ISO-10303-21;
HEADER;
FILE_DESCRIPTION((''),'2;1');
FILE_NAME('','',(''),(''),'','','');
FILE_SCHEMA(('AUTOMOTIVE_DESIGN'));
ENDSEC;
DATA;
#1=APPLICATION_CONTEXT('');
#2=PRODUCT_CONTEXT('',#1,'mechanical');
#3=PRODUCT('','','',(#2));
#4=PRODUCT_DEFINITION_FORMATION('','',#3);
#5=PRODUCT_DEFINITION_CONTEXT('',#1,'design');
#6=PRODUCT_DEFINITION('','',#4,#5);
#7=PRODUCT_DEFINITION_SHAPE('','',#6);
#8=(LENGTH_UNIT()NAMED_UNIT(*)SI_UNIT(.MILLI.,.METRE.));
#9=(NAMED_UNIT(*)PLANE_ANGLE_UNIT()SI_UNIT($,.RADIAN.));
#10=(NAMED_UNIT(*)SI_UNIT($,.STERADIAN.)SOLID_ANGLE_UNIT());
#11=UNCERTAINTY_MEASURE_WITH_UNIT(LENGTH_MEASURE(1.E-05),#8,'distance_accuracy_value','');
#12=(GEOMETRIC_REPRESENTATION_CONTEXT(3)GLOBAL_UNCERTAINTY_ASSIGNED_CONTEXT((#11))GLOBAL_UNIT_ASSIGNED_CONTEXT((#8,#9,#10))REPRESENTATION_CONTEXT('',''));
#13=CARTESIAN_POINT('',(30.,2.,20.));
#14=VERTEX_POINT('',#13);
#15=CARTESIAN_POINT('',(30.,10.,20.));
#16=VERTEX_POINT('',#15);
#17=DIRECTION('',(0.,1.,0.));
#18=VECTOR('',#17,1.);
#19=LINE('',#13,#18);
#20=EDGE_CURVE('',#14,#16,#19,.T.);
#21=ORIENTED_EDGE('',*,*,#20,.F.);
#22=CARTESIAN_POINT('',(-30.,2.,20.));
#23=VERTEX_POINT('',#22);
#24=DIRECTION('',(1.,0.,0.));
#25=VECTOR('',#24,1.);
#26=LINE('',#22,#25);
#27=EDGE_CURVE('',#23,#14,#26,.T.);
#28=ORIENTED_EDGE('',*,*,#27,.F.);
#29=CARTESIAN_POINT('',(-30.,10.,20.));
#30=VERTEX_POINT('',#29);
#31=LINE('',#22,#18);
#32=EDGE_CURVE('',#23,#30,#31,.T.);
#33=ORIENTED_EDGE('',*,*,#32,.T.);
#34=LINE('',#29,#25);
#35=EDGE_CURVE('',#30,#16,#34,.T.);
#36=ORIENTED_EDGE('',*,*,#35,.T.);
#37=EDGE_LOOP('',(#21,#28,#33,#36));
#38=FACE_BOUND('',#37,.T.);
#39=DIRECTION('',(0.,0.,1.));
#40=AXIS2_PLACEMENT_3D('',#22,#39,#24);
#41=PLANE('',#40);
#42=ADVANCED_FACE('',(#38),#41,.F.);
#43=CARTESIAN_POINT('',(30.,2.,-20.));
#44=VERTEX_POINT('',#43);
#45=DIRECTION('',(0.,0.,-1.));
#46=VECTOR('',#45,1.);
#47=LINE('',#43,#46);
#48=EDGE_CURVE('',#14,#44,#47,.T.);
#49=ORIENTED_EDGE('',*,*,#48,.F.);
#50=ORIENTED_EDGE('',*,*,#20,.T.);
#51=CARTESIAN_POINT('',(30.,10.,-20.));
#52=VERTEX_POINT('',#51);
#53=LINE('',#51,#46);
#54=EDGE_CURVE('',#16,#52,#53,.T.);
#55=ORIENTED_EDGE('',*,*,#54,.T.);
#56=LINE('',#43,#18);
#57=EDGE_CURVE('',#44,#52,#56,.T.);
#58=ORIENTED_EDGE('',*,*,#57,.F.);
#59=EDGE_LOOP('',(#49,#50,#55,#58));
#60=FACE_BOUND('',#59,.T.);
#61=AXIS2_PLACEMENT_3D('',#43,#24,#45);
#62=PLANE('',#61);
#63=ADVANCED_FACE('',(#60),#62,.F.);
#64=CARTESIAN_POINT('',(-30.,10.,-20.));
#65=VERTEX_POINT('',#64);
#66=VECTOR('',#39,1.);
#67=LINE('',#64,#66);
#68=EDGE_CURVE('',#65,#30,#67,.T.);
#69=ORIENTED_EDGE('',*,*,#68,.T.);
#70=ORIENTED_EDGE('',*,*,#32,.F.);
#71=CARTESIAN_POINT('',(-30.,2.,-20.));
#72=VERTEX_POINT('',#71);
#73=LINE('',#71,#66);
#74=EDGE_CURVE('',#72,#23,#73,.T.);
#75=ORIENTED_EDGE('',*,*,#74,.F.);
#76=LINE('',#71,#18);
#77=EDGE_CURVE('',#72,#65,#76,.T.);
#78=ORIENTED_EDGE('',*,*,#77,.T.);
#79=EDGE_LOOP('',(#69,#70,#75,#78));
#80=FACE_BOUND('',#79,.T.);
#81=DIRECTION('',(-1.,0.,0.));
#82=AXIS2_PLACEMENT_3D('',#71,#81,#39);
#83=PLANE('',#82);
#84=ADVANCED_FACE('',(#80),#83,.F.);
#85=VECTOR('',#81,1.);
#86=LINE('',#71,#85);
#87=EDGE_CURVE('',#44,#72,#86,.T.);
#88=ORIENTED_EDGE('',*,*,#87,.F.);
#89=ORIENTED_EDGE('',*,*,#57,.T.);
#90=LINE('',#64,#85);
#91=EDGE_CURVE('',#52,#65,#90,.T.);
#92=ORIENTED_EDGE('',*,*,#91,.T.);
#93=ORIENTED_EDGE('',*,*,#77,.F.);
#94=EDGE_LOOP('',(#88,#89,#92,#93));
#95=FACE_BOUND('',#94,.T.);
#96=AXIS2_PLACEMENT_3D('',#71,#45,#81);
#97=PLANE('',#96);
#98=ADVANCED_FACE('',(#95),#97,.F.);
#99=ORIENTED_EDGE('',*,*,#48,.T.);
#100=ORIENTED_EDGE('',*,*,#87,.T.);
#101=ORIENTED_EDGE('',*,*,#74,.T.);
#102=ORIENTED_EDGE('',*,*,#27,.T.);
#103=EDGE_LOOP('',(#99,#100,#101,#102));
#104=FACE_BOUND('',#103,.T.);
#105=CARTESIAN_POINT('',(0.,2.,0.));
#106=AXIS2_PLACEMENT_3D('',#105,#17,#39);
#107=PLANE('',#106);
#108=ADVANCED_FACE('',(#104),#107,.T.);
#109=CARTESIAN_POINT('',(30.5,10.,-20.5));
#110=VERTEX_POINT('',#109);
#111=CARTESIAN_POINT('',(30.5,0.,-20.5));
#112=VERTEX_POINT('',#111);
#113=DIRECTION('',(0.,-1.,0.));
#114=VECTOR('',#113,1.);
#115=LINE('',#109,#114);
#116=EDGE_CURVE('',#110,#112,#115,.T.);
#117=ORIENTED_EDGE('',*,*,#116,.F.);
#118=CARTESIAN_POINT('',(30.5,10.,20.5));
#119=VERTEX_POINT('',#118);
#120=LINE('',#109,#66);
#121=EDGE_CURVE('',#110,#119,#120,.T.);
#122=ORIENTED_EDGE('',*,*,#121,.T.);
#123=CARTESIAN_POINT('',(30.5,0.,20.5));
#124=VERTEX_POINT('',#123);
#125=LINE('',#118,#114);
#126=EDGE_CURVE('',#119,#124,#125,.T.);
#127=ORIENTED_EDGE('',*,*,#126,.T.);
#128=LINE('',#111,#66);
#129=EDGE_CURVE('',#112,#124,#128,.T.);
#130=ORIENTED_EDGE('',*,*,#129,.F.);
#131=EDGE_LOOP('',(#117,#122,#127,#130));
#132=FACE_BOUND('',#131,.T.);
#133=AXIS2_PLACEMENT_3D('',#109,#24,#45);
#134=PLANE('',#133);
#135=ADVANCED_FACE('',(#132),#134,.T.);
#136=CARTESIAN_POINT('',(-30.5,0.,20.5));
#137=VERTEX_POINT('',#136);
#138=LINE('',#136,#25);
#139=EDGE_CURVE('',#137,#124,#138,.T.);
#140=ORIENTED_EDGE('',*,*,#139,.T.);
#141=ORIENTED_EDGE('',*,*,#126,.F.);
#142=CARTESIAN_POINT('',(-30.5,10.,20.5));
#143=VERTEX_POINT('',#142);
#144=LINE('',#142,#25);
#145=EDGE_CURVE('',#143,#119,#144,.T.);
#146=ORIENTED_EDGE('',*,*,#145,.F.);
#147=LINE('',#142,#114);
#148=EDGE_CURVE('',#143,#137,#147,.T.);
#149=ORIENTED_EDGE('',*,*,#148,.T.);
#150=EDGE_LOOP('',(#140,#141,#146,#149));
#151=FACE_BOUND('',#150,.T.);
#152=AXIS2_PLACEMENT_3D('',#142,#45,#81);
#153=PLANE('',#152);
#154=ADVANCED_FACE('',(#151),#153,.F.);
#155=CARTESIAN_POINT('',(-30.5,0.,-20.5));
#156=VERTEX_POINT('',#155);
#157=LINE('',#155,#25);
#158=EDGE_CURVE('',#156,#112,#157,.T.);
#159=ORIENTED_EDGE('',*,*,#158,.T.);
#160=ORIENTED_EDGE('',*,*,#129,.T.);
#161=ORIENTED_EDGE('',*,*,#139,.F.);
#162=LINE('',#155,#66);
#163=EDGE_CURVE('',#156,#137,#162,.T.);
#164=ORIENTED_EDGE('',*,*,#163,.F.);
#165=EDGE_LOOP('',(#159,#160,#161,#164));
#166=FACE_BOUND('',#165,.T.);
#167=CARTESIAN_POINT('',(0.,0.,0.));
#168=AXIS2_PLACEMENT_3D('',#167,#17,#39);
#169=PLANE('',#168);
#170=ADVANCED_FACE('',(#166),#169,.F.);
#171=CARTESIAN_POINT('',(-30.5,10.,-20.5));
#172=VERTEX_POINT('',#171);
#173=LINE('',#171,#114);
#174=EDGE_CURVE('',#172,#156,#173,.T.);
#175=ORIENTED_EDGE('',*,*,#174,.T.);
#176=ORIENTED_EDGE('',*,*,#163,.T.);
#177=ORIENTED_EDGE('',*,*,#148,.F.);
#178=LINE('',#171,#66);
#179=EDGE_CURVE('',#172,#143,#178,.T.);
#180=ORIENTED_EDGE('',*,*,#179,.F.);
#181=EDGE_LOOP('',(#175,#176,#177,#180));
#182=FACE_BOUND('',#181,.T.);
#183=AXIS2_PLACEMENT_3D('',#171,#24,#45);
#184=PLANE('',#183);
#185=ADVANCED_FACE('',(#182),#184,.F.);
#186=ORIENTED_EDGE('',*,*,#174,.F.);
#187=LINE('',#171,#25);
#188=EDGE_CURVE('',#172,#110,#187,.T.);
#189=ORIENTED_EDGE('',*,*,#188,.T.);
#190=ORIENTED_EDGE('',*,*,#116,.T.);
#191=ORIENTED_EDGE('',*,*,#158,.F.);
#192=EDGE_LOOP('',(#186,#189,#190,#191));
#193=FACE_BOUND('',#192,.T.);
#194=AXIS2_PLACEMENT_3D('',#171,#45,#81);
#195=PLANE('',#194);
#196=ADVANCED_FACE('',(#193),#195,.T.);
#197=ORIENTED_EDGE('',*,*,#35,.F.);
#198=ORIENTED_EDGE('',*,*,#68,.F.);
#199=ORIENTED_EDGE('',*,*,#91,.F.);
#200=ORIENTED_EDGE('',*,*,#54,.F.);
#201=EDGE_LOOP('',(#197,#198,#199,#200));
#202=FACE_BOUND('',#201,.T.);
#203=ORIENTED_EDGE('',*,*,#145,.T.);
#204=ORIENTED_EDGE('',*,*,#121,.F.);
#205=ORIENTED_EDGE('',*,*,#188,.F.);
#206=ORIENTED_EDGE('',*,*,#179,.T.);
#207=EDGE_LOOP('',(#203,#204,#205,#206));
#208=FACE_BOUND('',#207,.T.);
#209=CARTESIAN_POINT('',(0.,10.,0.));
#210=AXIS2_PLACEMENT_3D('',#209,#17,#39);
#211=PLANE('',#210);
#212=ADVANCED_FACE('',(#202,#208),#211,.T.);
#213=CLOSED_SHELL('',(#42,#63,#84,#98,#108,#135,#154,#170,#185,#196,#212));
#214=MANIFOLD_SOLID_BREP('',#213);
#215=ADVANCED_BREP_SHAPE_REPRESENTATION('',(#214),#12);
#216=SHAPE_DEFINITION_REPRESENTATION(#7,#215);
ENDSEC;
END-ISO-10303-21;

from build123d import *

# Parameters (mm, degrees)
ESBO_O4_W                = 61
ESBO_O4_H                = 41
RESSALTO_EXTRUS_O1_DEPTH = 10
ESBO_O5_W                = 60
ESBO_O5_H                = 40
CORTE_EXTRUS_O1_DEPTH    = 8


with BuildPart() as part:
    # Esboço4 → Ressalto-extrusão1 (new body)
    with BuildSketch(Plane(origin=(0, 0, 0), x_dir=(1, 0, 0), z_dir=(0, 1, 0))):
        Rectangle(ESBO_O4_W, ESBO_O4_H)
    extrude(amount=RESSALTO_EXTRUS_O1_DEPTH)

    # Esboço5 → Corte-extrusão1 (cut)
    with BuildSketch(Plane(origin=(0, 10, 0), x_dir=(1, 0, 0), z_dir=(0, 1, 0))):
        Rectangle(ESBO_O5_W, ESBO_O5_H)
    extrude(amount=-CORTE_EXTRUS_O1_DEPTH, mode=Mode.SUBTRACT)


solid = part.part
